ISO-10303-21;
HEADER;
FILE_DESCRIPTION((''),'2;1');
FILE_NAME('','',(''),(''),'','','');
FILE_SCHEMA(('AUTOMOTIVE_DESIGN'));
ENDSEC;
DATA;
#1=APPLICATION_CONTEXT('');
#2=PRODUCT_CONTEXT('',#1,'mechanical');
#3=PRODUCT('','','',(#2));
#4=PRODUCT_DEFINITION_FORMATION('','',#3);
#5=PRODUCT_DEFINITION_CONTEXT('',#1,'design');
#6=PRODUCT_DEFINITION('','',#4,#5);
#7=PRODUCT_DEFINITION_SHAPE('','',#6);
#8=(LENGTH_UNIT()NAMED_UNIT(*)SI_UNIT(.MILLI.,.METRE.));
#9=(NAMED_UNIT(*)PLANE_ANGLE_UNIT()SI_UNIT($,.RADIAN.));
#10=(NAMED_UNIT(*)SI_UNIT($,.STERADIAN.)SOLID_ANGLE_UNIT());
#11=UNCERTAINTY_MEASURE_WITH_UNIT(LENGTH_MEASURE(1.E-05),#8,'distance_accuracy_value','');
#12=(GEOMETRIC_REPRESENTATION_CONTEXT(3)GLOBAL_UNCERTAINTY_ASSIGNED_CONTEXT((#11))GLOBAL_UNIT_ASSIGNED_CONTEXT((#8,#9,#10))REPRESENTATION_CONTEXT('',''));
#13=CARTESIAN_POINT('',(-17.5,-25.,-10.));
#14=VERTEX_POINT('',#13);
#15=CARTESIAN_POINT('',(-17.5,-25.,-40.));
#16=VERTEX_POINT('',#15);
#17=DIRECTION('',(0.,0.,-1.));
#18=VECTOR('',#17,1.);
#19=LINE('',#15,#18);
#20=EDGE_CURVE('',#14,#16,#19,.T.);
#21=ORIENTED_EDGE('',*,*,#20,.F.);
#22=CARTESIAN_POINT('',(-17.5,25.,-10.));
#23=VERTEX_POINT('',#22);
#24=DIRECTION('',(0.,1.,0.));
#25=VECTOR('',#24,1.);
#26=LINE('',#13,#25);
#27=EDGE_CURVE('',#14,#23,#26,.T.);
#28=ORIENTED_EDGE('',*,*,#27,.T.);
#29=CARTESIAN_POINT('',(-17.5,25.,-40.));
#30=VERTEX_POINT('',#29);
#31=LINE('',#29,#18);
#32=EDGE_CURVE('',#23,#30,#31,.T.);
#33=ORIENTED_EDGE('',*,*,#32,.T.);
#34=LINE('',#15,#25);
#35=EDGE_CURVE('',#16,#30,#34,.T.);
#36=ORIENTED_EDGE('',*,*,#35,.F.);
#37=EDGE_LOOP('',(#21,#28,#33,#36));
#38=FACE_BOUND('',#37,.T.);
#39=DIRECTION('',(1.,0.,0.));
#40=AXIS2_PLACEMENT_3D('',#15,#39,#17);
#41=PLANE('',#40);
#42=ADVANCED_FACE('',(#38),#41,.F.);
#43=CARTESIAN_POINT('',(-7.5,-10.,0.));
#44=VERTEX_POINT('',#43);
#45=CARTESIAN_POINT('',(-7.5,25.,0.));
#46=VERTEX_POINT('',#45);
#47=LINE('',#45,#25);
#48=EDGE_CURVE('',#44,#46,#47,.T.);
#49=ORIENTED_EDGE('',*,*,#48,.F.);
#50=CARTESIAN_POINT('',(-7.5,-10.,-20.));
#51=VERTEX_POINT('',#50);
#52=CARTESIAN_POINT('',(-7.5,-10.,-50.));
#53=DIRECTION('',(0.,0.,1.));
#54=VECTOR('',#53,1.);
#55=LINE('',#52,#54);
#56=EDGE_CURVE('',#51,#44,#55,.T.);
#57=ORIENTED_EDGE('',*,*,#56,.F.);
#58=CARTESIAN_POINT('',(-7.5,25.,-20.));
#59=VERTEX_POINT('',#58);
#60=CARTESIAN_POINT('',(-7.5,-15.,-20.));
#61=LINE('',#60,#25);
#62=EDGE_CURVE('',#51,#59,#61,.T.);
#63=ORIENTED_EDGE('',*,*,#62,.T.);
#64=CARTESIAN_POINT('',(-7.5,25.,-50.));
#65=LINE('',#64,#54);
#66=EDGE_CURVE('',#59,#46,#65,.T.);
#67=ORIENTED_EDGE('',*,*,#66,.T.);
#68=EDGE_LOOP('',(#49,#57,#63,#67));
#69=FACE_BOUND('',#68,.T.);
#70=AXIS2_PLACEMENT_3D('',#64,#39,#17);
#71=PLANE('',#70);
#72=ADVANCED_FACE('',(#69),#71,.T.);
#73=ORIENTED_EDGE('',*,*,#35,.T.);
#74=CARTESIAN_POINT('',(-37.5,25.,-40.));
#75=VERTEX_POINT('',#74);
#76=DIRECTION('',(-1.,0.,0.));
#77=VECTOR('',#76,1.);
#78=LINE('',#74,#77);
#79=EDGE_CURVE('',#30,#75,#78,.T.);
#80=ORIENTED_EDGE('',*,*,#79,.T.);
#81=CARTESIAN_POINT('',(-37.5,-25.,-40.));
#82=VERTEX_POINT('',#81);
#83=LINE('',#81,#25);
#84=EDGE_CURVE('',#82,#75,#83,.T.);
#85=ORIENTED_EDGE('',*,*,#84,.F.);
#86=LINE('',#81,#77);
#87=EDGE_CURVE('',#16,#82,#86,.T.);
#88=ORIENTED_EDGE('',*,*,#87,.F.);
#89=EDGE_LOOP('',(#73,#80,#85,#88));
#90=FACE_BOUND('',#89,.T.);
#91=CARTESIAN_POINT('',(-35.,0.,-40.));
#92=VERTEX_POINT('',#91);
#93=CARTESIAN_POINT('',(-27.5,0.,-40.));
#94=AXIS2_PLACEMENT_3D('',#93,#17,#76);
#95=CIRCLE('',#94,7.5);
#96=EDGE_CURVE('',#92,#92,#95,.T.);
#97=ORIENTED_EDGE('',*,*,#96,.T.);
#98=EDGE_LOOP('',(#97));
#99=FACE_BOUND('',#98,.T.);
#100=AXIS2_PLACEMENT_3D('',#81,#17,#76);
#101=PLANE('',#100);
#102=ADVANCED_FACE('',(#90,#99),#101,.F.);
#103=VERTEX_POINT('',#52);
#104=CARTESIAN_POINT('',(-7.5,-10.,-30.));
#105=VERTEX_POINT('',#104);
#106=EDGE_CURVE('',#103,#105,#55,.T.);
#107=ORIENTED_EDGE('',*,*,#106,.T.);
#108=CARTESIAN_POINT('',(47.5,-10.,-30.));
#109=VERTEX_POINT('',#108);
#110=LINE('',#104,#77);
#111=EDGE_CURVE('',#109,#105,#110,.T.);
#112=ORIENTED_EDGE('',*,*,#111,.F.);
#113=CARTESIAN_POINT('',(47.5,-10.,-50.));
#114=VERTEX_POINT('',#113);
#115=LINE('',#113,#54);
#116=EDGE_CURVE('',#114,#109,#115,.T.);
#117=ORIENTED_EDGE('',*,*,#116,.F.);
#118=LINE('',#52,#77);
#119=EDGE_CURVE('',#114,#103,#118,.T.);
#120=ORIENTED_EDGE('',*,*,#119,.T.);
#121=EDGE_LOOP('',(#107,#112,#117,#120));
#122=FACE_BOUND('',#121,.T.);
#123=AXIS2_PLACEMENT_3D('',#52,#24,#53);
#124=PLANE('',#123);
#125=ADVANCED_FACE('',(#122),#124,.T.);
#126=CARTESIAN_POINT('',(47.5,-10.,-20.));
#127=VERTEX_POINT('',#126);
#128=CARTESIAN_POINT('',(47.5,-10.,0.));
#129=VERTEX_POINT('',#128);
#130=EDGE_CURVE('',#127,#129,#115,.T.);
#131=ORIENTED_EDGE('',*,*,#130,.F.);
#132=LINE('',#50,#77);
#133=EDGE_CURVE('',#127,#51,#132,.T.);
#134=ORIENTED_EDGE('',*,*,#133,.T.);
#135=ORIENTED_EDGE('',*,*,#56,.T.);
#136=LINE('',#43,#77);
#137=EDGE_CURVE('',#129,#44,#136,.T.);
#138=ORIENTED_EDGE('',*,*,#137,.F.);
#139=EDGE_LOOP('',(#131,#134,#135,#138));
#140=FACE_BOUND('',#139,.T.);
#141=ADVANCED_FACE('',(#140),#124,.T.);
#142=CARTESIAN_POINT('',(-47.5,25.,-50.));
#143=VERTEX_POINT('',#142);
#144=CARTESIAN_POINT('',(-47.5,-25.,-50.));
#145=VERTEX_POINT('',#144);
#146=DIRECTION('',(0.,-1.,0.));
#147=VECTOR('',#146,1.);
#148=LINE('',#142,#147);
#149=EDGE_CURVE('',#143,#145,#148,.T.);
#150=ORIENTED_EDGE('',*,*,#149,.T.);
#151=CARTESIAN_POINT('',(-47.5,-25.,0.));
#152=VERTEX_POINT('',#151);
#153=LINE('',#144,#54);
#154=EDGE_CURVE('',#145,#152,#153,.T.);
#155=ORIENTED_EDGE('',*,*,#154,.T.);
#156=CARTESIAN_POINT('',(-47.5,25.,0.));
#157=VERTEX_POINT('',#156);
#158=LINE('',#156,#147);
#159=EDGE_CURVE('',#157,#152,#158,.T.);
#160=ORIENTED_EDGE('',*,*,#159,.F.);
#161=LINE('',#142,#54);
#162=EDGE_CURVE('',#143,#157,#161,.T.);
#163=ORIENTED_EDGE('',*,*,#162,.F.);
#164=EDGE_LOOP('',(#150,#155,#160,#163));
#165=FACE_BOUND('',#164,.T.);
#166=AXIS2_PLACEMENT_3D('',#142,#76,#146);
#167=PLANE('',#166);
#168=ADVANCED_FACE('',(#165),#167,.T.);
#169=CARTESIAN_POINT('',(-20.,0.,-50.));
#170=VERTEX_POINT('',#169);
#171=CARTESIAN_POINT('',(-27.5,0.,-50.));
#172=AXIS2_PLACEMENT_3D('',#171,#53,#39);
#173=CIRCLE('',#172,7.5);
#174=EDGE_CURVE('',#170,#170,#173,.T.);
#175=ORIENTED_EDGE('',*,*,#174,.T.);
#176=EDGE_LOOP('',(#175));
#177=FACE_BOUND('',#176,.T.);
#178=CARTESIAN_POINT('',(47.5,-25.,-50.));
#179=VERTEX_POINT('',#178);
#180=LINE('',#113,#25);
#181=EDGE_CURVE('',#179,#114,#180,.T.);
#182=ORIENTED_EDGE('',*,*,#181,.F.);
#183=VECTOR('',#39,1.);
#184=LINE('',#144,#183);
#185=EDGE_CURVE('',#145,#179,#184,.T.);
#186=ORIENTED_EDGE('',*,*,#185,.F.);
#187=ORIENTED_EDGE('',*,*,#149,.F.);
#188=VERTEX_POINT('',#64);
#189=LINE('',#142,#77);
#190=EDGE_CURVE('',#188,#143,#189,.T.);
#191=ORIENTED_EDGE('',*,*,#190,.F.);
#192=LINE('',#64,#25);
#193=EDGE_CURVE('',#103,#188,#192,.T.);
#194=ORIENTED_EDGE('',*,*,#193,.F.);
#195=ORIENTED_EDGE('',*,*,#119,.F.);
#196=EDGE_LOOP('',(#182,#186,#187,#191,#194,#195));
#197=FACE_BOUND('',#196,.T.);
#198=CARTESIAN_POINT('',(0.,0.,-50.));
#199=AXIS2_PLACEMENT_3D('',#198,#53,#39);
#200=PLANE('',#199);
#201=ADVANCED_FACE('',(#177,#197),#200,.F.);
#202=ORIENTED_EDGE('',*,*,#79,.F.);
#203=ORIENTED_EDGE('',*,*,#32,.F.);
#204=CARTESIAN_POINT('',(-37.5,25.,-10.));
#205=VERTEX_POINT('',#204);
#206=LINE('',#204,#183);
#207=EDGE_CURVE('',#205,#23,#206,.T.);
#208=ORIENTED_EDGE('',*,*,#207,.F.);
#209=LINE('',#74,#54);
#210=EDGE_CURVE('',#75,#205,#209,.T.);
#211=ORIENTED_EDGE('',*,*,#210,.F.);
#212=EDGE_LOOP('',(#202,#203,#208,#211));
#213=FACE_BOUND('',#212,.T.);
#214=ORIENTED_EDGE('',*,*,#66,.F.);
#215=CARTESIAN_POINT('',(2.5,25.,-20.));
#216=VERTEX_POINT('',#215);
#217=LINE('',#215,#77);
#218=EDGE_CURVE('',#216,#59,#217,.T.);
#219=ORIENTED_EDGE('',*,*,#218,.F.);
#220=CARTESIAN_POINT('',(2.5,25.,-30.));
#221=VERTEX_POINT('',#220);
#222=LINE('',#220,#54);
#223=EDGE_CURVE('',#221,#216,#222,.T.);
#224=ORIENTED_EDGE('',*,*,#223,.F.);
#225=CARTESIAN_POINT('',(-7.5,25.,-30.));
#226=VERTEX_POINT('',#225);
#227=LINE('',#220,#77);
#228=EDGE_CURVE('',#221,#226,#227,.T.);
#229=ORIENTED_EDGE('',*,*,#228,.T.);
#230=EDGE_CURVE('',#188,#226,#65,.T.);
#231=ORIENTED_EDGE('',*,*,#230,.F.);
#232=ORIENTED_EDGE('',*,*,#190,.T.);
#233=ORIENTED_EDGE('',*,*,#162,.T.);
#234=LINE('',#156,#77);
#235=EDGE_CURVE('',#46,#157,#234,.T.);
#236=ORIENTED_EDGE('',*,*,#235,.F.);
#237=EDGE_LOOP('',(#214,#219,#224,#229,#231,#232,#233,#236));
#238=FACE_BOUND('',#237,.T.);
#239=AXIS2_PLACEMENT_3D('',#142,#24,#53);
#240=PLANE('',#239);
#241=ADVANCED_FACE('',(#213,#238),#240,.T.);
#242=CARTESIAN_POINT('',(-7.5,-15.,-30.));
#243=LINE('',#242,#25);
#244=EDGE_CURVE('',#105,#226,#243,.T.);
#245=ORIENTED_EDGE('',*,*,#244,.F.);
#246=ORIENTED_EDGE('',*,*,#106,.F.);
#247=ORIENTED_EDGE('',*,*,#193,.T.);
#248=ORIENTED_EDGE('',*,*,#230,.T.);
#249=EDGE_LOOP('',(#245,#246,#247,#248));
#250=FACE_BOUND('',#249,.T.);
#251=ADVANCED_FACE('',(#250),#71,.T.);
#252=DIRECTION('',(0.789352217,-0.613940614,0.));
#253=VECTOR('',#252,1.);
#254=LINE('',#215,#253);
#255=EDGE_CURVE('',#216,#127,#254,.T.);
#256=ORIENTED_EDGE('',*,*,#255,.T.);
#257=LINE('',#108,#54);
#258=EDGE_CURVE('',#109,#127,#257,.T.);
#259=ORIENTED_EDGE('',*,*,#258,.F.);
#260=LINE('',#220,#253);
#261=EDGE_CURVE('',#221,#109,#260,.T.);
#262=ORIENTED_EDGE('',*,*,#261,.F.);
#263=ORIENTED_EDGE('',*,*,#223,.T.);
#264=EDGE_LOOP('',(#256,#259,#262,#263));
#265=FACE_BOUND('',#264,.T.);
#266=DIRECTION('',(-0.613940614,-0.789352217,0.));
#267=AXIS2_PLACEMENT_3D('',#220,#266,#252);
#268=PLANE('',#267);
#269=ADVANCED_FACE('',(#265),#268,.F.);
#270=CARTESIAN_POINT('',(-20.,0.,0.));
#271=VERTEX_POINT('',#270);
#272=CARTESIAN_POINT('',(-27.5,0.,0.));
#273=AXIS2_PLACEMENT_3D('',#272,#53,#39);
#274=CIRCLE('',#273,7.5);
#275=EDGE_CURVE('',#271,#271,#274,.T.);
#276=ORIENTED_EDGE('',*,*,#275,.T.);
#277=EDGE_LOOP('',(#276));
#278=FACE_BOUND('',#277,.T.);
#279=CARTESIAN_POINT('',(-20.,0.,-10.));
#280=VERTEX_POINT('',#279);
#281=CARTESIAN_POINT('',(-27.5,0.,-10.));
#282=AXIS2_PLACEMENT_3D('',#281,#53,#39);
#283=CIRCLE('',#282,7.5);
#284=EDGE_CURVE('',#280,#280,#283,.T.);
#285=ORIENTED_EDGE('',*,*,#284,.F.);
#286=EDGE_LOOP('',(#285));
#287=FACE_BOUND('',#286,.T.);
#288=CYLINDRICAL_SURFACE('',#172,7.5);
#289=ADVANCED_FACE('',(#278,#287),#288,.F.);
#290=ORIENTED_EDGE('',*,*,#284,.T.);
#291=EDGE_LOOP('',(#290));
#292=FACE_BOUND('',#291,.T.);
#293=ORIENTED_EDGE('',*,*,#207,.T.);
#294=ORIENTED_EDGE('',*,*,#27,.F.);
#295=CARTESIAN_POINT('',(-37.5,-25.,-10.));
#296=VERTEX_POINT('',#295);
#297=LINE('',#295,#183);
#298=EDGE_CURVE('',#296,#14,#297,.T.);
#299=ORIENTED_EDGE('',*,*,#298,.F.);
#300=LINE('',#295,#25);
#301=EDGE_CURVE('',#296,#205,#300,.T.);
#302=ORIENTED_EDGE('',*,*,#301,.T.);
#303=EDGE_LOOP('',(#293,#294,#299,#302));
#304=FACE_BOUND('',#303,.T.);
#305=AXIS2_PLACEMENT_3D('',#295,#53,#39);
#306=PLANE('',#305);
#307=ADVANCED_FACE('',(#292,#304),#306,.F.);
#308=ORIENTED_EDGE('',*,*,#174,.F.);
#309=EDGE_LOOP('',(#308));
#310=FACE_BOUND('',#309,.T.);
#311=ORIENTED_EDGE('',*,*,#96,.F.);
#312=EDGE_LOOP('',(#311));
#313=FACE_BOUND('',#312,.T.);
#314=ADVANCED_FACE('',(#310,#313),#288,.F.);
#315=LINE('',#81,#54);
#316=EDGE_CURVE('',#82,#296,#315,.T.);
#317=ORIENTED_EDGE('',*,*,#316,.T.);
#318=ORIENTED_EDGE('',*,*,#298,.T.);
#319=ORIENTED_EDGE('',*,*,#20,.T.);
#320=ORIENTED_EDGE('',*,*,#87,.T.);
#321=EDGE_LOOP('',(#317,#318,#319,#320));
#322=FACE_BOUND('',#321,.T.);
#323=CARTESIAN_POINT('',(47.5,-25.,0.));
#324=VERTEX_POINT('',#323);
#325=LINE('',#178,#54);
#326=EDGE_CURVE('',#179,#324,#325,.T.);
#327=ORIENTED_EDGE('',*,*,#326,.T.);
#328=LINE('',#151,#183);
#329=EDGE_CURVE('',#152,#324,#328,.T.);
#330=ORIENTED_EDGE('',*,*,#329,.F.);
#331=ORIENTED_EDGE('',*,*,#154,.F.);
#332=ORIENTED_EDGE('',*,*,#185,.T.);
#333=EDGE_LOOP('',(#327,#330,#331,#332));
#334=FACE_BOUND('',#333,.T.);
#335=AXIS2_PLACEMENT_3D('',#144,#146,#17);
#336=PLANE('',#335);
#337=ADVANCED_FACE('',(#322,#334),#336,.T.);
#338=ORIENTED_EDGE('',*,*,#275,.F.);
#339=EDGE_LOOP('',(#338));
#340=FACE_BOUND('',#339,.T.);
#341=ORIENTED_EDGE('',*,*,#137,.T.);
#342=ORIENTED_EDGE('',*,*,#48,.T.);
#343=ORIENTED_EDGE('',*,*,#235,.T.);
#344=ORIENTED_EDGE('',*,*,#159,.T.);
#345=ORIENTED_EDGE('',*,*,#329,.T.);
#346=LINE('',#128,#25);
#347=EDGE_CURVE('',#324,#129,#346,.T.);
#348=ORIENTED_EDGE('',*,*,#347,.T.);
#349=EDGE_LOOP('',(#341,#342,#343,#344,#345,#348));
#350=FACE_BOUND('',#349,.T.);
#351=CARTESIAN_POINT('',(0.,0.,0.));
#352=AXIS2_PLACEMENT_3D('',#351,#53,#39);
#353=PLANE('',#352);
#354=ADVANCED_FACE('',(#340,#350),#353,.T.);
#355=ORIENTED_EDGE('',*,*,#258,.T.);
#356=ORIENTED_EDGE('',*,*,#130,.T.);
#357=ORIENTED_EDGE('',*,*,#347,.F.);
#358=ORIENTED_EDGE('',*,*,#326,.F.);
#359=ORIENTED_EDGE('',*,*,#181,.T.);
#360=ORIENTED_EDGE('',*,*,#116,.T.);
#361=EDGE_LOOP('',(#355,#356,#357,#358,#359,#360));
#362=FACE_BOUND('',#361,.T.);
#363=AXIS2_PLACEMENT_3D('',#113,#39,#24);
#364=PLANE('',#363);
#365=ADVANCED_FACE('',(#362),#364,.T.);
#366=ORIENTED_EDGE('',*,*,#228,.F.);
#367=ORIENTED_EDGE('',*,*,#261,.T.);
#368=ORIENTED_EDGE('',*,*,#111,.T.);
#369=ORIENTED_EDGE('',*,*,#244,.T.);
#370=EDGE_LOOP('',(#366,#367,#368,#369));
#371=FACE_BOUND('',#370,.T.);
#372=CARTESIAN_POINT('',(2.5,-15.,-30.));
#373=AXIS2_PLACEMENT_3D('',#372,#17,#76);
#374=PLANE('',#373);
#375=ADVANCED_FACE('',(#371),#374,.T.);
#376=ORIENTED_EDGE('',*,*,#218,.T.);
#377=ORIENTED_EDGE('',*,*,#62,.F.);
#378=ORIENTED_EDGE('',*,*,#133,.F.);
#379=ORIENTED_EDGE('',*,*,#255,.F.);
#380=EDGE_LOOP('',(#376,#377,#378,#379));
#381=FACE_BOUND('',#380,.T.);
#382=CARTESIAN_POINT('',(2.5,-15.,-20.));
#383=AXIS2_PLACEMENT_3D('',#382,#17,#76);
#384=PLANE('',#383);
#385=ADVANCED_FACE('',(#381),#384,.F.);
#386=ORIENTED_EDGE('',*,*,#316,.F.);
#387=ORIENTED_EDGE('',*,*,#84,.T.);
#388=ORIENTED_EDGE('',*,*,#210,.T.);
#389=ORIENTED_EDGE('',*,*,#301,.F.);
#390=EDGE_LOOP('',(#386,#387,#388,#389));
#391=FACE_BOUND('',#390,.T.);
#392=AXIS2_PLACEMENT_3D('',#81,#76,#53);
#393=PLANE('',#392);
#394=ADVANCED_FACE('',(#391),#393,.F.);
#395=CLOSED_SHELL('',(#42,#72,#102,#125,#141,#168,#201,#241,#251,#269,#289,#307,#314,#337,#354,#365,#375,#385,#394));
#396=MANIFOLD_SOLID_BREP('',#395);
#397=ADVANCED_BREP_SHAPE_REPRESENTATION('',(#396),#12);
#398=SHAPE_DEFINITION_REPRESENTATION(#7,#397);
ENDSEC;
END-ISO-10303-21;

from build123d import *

# Parameters (mm, degrees)
BOSS_EXTRUDE1_DEPTH = 50
SKETCH2_W           = 20
SKETCH2_H           = 30
CUT_EXTRUDE1_DEPTH  = 50
SKETCH3_R           = 7.5
CUT_EXTRUDE2_DEPTH  = 50
SKETCH4_W           = 10
SKETCH4_H           = 10
BOSS_EXTRUDE2_DEPTH = 40
EXTRUDE_THIN1_DEPTH = 10
BOSS_EXTRUDE3_DEPTH = 10


with BuildPart() as part:
    # Sketch1 → Boss-Extrude1 (new body)
    with BuildSketch(Plane.XY):
        Polygon((-7.5, 25), (-7.5, -10), (47.5, -10), (47.5, -25), (-47.5, -25), (-47.5, 25), align=None)
    extrude(amount=-BOSS_EXTRUDE1_DEPTH)

    # Sketch2 → Cut-Extrude1 (cut)
    with BuildSketch(Plane(origin=(0, 25, 0), x_dir=(1, 0, 0), z_dir=(0, 1, 0))):
        with Locations((-27.5, 25)):
            Rectangle(SKETCH2_W, SKETCH2_H)
    extrude(amount=-CUT_EXTRUDE1_DEPTH, mode=Mode.SUBTRACT)

    # Sketch3 → Cut-Extrude2 (cut)
    with BuildSketch(Plane.XY):
        with Locations((-27.5, 0)):
            Circle(SKETCH3_R)
    extrude(amount=-CUT_EXTRUDE2_DEPTH, mode=Mode.SUBTRACT)

    # Sketch4 → Boss-Extrude2 (add)
    with BuildSketch(Plane(origin=(0, 25, 0), x_dir=(1, 0, 0), z_dir=(0, 1, 0))):
        with Locations((-2.5, 25)):
            Rectangle(SKETCH4_W, SKETCH4_H)
    extrude(amount=-BOSS_EXTRUDE2_DEPTH)

    # Sketch7 → Extrude-Thin1 (add)
    with BuildSketch(Plane.XY.offset(-20)):
        Polygon((2.5, 25), (47.5, -10), (41.360593865, -17.893522174), (-3.639406135, 17.106477826), align=None)
    extrude(amount=-EXTRUDE_THIN1_DEPTH)

    # Sketch8 → Boss-Extrude3 (add)
    with BuildSketch(Plane.XY.offset(-20)):
        Polygon((2.5, -10), (2.5, 12.331384166), (31.211779641, -10), align=None)
    extrude(amount=-BOSS_EXTRUDE3_DEPTH)


solid = part.part
